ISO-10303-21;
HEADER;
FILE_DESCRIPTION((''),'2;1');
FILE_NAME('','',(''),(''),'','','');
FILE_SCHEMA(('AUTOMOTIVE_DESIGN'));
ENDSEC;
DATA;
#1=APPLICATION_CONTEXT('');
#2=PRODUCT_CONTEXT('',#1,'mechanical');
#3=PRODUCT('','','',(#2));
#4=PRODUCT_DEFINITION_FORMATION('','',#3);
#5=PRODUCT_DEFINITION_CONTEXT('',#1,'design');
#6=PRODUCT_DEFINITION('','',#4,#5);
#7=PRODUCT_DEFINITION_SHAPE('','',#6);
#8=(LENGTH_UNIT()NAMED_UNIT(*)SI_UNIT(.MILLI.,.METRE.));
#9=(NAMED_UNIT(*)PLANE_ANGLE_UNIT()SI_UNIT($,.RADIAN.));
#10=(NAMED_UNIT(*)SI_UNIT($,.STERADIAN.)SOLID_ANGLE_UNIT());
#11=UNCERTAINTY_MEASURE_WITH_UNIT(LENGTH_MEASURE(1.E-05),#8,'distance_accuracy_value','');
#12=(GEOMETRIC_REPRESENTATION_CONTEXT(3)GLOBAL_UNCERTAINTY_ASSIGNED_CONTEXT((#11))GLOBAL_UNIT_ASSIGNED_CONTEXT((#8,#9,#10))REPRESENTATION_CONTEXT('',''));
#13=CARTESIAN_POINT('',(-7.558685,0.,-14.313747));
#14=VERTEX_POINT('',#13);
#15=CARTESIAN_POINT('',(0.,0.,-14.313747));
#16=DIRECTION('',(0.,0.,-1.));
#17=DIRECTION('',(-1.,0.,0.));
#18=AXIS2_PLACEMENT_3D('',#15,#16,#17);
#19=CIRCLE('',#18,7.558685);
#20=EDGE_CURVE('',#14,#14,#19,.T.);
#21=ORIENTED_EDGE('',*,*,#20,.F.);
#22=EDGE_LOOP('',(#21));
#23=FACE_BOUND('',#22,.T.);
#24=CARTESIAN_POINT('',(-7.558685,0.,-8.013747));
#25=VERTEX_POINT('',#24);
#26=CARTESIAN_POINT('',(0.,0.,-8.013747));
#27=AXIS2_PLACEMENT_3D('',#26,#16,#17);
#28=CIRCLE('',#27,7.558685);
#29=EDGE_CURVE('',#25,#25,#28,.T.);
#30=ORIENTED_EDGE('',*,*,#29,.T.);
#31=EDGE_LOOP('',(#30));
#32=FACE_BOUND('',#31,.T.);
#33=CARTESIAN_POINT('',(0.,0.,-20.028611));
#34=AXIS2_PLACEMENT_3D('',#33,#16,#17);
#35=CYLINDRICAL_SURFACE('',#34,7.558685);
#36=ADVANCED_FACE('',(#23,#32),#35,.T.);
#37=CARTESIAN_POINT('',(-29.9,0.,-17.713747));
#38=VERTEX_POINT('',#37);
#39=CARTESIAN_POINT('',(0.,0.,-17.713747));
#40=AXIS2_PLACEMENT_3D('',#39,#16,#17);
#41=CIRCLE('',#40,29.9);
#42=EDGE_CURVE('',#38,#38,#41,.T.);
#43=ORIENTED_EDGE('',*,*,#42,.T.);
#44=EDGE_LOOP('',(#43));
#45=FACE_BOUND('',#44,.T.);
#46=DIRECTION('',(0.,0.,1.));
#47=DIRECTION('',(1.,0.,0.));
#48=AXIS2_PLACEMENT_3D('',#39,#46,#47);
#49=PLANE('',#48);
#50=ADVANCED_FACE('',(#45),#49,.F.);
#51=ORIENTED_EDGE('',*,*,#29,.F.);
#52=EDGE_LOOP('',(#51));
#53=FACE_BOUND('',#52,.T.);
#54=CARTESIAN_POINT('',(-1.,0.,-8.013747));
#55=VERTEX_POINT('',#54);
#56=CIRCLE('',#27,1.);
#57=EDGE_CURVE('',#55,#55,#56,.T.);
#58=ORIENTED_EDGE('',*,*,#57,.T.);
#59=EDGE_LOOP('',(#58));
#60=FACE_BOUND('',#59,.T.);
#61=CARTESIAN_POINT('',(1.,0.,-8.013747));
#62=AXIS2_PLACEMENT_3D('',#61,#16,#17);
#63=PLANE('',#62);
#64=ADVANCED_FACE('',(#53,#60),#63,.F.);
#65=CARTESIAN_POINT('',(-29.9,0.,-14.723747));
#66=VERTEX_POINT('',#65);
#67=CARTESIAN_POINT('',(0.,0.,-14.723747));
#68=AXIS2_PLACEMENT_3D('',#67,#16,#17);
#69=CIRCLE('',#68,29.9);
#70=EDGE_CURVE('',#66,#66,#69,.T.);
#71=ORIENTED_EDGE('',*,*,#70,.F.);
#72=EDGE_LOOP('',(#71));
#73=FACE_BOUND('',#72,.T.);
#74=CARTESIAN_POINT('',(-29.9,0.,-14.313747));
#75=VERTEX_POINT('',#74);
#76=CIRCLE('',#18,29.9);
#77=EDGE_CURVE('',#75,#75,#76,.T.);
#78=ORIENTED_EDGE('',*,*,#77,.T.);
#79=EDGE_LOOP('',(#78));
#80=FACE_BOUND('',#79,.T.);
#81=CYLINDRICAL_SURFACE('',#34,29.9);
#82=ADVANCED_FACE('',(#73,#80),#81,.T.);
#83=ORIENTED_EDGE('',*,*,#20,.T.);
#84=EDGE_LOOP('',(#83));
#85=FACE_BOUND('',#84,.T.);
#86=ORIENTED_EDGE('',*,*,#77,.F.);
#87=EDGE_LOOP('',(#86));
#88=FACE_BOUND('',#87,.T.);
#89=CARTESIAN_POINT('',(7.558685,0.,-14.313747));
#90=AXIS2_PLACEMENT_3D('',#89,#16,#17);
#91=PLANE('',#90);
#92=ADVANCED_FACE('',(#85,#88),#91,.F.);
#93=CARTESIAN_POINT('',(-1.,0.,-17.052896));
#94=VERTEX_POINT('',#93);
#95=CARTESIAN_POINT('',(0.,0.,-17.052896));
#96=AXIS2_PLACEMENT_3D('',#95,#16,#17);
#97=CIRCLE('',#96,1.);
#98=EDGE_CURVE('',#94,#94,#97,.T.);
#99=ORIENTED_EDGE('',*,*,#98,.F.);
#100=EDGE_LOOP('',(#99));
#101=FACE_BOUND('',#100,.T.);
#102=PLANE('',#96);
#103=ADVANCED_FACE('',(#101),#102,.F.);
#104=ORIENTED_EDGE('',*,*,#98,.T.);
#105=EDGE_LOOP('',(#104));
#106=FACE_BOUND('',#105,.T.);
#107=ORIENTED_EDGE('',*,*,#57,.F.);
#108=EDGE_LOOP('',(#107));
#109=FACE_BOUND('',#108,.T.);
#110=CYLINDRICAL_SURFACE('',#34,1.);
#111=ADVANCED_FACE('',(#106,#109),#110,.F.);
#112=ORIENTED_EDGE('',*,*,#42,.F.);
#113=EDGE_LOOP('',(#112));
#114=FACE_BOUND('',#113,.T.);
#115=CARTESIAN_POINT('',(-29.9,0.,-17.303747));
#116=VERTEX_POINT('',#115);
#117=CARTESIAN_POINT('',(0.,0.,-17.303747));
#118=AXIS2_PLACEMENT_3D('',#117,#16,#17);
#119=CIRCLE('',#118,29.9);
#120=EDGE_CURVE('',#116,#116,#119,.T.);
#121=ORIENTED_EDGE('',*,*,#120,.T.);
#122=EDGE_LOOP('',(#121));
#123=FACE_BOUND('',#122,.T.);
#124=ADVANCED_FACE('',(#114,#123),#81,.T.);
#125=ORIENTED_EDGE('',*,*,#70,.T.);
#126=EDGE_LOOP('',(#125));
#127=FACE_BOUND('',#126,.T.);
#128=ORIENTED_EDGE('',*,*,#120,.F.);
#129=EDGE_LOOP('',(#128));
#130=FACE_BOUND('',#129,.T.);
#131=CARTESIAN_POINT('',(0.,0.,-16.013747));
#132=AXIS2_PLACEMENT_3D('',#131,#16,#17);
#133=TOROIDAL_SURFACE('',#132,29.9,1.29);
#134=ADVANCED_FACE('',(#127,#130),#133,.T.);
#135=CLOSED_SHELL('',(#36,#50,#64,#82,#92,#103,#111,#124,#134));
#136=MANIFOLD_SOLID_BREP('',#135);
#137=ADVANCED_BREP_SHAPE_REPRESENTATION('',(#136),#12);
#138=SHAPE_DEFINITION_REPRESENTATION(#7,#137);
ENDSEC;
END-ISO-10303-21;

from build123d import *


with BuildPart() as part:
    # Esquisse1 → Révolution1 (revolve)
    with BuildSketch(Plane(origin=(0, 0, 0), x_dir=(1, 0, 0), z_dir=(0, 1, 0)), mode=Mode.PRIVATE) as r_volution1_sk:
        with BuildLine():
            Line((29.9, 17.303746522), (29.9, 17.713746522))
            Line((29.9, 17.713746522), (0, 17.713746522))
            Line((0, 17.713746522), (0, 17.052896028))
            Line((0, 17.052896028), (1, 17.052896028))
            Line((1, 17.052896028), (1, 8.013746522))
            Line((1, 8.013746522), (7.558685201, 8.013746522))
            Line((7.558685201, 8.013746522), (7.558685201, 14.313746522))
            Line((7.558685201, 14.313746522), (29.9, 14.313746522))
            Line((29.9, 14.313746522), (29.9, 14.723746522))
            ThreePointArc((29.9, 14.723746522), (31.19, 16.013746522), (29.9, 17.303746522))
        make_face()
    revolve(r_volution1_sk.sketch.rotate(Axis((0, 0, -20.028610737), (0, 0, 1)), 180), axis=Axis((0, 0, -20.028610737), (0, 0, 1)))


solid = part.part
